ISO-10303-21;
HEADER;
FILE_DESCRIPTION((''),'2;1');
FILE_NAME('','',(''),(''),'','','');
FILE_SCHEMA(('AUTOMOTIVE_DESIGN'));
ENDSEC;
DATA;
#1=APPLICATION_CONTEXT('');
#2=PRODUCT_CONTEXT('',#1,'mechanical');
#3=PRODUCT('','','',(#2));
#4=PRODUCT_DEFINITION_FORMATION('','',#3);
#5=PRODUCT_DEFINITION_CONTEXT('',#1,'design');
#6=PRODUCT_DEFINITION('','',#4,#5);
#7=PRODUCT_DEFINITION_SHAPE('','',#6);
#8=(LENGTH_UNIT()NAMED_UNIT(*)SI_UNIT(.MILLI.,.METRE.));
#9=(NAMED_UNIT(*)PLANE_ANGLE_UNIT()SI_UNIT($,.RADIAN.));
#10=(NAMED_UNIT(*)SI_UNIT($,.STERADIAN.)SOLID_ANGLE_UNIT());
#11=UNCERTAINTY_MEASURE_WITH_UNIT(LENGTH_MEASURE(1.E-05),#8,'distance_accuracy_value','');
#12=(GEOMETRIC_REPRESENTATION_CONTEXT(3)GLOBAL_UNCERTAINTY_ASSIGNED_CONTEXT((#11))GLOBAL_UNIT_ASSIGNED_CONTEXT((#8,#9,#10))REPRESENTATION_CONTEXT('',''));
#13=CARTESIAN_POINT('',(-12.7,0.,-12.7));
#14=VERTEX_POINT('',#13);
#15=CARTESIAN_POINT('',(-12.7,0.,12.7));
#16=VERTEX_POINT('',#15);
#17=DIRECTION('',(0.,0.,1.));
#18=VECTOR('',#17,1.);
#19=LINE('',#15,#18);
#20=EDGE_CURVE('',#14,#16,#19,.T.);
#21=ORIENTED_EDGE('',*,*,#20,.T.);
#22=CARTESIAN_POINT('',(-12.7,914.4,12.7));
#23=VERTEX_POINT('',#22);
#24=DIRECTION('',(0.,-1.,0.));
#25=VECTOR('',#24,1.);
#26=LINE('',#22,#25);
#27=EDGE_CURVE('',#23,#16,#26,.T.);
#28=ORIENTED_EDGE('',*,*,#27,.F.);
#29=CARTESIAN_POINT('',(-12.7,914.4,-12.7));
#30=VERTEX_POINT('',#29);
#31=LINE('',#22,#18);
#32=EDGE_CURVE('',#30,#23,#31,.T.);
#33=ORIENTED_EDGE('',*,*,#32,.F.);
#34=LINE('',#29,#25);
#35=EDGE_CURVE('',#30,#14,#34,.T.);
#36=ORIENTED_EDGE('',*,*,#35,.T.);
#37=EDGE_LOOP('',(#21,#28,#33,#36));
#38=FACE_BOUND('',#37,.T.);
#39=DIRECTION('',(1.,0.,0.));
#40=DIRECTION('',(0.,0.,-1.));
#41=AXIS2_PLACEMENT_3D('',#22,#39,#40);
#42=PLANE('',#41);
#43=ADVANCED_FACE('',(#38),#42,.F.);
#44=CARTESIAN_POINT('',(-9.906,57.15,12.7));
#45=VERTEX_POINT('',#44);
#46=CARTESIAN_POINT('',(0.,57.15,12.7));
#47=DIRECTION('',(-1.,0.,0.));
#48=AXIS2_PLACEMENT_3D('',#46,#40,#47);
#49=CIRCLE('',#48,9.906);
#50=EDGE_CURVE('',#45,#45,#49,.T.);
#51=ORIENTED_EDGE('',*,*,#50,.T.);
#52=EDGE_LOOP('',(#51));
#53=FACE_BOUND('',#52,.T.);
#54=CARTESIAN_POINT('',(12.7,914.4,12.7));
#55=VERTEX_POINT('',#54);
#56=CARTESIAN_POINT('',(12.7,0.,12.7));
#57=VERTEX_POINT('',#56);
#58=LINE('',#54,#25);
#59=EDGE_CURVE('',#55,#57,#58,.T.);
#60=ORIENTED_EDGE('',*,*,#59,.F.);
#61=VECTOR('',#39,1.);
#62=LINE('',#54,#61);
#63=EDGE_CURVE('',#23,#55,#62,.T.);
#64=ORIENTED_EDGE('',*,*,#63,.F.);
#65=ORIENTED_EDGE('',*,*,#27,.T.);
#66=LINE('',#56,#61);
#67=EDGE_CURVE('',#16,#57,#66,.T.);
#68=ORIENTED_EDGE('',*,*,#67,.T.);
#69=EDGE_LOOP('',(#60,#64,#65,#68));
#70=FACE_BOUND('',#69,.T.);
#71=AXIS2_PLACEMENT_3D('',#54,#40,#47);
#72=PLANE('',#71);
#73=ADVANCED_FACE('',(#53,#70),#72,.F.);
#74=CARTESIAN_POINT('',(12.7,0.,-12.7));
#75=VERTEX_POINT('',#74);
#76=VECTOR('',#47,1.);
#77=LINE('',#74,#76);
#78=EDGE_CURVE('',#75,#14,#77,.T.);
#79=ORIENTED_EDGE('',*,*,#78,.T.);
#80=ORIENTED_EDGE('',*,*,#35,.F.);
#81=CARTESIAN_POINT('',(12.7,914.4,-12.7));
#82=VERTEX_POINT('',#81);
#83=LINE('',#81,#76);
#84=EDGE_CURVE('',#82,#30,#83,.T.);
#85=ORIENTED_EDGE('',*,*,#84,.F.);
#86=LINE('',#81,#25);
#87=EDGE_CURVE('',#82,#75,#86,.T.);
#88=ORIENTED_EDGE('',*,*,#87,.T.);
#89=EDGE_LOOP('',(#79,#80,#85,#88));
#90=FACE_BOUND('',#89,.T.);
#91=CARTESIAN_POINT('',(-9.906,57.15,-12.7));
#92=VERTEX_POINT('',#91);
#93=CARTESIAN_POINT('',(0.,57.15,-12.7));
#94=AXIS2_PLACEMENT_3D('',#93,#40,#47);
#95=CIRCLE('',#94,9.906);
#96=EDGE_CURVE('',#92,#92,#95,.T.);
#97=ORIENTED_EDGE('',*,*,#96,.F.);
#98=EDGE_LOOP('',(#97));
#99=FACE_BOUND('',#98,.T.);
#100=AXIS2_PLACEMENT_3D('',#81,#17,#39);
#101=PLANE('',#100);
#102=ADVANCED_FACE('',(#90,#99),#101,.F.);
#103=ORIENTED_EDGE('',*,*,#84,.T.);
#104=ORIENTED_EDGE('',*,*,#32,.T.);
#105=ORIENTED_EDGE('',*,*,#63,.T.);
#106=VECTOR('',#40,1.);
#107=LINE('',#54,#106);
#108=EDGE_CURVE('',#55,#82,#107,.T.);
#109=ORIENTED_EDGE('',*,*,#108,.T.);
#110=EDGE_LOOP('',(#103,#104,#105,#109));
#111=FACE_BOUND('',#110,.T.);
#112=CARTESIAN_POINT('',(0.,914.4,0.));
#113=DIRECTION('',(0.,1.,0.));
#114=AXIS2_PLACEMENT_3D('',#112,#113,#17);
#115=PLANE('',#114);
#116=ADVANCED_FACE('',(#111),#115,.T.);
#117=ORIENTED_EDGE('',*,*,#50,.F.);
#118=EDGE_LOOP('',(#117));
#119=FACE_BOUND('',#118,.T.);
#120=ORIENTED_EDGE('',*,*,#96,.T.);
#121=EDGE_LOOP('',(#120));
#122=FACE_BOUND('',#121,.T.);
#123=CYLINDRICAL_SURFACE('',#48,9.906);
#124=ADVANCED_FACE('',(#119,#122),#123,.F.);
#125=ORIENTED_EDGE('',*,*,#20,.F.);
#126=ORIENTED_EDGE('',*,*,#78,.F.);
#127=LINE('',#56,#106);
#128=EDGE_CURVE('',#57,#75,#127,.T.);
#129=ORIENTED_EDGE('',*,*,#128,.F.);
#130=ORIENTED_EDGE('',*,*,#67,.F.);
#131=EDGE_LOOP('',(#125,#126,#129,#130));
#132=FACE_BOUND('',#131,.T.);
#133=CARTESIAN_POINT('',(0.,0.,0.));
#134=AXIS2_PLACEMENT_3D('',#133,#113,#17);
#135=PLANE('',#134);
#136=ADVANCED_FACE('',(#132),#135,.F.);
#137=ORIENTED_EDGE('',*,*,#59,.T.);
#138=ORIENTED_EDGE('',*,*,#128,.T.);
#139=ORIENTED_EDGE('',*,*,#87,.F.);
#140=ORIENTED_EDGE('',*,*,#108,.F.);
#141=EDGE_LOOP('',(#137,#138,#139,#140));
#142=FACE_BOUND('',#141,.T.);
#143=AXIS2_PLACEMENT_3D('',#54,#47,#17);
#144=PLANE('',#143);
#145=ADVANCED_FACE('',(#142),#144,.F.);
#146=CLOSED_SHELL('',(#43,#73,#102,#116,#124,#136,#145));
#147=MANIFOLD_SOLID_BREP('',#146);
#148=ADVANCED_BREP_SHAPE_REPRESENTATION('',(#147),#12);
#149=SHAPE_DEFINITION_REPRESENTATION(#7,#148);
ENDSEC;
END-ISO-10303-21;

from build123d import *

# Parameters (mm, degrees)
SKETCH1_W           = 25.4
SKETCH1_H           = 25.4
BOSS_EXTRUDE2_DEPTH = 914.4
SKETCH2_R           = 9.906
CUT_EXTRUDE1_DEPTH  = 26.4


with BuildPart() as part:
    # Sketch1 → Boss-Extrude2 (new body)
    with BuildSketch(Plane(origin=(0, 0, 0), x_dir=(1, 0, 0), z_dir=(0, 1, 0))):
        Rectangle(SKETCH1_W, SKETCH1_H)
    extrude(amount=BOSS_EXTRUDE2_DEPTH)

    # Sketch2 → Cut-Extrude1 (cut, through all)
    with BuildSketch(Plane(origin=(0, 0, -12.7), x_dir=(-1, 0, 0), z_dir=(0, 0, -1))):
        with Locations((0, 57.15)):
            Circle(SKETCH2_R)
    extrude(amount=-CUT_EXTRUDE1_DEPTH, mode=Mode.SUBTRACT)


solid = part.part
